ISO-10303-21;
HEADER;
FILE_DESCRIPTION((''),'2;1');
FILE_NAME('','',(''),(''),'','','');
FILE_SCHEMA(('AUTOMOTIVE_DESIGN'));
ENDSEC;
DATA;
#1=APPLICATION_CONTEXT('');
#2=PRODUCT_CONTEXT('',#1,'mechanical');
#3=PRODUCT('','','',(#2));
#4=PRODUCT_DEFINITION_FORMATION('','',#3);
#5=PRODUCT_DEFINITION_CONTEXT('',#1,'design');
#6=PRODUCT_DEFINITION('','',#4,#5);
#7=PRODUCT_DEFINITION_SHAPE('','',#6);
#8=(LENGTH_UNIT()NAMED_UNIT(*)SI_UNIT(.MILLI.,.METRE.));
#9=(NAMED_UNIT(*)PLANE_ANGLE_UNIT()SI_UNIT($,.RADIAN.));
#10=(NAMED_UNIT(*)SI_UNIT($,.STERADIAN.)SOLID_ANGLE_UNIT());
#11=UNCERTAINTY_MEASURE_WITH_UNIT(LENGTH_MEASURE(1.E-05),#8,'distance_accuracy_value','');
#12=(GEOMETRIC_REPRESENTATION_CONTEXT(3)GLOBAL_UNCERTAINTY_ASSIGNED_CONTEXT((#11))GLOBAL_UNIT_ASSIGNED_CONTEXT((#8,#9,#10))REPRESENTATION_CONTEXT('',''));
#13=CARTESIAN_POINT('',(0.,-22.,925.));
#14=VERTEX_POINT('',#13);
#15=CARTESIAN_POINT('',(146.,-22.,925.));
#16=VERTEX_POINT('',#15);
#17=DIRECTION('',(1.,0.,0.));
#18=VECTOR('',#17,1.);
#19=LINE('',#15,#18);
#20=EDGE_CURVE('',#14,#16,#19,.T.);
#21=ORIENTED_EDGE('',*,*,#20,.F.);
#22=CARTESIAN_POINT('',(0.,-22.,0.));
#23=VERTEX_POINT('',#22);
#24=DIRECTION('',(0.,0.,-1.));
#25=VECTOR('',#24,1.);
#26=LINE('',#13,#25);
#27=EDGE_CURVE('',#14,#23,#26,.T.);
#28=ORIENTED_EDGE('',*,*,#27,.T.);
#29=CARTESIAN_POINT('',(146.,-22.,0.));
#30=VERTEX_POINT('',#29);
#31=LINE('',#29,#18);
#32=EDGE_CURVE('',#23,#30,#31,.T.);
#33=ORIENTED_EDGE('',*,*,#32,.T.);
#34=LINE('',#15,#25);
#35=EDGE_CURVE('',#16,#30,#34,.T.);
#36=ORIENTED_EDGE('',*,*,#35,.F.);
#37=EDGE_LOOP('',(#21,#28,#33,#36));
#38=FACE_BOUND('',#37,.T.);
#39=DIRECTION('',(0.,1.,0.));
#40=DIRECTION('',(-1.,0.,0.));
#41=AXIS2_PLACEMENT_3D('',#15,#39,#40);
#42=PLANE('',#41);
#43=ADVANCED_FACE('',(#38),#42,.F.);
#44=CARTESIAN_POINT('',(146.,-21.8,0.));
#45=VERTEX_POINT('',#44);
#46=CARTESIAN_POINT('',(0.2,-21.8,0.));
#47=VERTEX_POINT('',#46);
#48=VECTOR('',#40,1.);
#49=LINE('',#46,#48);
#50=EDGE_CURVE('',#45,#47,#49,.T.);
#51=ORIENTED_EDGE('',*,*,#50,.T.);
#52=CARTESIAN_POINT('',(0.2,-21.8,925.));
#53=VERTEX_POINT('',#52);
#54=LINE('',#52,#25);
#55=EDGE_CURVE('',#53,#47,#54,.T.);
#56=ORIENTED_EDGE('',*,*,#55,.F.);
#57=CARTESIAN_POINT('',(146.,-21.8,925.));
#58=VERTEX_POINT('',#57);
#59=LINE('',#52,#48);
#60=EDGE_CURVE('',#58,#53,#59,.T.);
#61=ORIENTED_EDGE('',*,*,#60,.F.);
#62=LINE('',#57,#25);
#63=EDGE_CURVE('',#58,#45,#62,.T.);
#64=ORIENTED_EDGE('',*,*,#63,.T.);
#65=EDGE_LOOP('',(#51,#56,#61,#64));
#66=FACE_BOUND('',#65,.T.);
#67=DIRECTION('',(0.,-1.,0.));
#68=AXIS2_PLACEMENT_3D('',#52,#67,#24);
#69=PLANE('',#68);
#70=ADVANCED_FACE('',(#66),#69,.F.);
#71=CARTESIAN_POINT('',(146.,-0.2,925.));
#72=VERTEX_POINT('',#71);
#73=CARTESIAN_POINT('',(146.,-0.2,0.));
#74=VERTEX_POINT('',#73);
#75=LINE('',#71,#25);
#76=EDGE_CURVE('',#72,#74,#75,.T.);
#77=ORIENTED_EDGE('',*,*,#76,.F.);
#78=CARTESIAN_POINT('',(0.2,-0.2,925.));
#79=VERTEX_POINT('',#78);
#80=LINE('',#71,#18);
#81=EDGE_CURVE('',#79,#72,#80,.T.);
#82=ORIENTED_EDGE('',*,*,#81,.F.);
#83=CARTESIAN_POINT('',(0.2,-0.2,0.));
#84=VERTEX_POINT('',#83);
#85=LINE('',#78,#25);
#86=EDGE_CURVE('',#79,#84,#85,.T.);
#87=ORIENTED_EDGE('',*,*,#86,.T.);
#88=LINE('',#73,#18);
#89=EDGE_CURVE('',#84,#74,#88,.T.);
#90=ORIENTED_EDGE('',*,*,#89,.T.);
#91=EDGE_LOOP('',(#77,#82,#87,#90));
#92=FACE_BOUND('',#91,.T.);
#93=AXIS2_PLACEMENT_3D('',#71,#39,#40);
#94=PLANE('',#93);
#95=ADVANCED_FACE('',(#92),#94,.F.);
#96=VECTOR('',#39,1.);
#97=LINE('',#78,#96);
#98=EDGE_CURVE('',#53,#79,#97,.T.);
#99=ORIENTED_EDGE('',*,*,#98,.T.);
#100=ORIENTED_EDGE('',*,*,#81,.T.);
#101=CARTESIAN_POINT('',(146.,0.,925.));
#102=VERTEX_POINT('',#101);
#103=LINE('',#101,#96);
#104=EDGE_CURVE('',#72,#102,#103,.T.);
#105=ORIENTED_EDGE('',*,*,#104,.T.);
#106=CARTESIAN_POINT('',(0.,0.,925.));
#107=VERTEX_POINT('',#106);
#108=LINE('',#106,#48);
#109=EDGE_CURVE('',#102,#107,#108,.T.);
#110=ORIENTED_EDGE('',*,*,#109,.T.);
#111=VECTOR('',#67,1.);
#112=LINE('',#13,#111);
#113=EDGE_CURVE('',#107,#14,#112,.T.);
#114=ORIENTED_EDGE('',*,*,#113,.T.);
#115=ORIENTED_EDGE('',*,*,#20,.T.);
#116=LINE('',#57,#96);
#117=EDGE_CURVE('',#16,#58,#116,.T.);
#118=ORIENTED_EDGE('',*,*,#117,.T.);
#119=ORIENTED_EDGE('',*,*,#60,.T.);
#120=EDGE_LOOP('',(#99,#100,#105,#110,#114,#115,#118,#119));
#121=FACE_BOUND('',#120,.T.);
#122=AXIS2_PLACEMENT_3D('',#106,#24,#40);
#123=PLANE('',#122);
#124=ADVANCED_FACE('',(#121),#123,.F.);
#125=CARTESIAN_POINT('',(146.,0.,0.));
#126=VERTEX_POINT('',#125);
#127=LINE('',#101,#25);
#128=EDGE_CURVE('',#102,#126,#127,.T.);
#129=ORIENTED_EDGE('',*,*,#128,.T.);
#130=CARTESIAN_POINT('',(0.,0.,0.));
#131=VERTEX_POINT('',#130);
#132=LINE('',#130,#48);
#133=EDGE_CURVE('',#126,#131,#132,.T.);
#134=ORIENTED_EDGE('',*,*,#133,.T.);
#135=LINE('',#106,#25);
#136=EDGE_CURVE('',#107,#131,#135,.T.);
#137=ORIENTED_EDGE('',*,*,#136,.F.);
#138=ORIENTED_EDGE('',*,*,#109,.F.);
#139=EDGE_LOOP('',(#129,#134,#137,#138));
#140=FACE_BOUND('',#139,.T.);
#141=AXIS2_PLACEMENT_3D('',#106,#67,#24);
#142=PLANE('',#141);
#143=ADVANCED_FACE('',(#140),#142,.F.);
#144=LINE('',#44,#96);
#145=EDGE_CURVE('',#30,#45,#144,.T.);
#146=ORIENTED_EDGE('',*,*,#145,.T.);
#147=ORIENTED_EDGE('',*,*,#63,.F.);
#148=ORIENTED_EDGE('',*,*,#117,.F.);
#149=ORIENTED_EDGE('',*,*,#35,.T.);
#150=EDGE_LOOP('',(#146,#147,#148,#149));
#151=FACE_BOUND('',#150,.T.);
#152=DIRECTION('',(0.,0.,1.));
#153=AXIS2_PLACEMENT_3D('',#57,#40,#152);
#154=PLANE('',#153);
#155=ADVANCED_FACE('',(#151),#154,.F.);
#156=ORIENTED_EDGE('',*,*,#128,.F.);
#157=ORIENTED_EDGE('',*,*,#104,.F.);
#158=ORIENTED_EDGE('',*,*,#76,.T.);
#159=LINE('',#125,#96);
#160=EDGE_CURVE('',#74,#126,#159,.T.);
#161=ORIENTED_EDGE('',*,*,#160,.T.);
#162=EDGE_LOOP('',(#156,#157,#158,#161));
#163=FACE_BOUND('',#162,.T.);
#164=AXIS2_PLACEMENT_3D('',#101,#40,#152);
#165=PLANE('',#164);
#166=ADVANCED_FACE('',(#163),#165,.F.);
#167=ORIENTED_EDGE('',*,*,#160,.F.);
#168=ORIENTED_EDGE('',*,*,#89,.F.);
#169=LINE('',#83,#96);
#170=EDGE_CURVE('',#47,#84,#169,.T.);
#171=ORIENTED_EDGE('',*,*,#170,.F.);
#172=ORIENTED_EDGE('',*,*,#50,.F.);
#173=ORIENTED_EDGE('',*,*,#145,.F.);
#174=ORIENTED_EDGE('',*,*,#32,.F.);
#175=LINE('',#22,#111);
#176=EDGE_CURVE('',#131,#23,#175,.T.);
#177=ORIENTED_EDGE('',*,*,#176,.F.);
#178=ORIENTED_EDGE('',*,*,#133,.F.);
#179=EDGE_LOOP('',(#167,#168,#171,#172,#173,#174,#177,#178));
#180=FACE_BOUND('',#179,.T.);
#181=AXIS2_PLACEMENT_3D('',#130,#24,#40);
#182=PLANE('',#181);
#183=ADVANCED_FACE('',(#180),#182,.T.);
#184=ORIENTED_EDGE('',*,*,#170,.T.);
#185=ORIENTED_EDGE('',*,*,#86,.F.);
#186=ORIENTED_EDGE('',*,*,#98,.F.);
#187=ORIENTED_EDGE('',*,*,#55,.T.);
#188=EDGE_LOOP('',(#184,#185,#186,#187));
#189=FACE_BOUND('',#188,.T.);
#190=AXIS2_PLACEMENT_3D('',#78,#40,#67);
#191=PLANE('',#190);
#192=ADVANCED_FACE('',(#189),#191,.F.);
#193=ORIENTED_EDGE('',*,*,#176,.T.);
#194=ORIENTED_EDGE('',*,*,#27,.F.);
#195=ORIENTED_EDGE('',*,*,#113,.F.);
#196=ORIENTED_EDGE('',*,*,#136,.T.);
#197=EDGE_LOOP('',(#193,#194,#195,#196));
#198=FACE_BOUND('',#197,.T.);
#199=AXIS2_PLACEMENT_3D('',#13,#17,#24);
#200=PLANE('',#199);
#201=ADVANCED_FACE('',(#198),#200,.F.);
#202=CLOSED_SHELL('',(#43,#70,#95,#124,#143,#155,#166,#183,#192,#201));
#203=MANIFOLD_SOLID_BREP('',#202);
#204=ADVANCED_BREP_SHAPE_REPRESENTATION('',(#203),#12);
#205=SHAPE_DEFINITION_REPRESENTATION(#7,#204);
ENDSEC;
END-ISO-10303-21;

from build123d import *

# Parameters (mm, degrees)
BOSS_EXTRUDE1_DEPTH = 925


with BuildPart() as part:
    # Sketch1 → Boss-Extrude1 (new body)
    with BuildSketch(Plane.XY):
        Polygon((0, 0), (146, 0), (146, -0.2), (0.2, -0.2), (0.2, -21.8), (146, -21.8), (146, -22), (0, -22), align=None)
    extrude(amount=BOSS_EXTRUDE1_DEPTH)


solid = part.part
